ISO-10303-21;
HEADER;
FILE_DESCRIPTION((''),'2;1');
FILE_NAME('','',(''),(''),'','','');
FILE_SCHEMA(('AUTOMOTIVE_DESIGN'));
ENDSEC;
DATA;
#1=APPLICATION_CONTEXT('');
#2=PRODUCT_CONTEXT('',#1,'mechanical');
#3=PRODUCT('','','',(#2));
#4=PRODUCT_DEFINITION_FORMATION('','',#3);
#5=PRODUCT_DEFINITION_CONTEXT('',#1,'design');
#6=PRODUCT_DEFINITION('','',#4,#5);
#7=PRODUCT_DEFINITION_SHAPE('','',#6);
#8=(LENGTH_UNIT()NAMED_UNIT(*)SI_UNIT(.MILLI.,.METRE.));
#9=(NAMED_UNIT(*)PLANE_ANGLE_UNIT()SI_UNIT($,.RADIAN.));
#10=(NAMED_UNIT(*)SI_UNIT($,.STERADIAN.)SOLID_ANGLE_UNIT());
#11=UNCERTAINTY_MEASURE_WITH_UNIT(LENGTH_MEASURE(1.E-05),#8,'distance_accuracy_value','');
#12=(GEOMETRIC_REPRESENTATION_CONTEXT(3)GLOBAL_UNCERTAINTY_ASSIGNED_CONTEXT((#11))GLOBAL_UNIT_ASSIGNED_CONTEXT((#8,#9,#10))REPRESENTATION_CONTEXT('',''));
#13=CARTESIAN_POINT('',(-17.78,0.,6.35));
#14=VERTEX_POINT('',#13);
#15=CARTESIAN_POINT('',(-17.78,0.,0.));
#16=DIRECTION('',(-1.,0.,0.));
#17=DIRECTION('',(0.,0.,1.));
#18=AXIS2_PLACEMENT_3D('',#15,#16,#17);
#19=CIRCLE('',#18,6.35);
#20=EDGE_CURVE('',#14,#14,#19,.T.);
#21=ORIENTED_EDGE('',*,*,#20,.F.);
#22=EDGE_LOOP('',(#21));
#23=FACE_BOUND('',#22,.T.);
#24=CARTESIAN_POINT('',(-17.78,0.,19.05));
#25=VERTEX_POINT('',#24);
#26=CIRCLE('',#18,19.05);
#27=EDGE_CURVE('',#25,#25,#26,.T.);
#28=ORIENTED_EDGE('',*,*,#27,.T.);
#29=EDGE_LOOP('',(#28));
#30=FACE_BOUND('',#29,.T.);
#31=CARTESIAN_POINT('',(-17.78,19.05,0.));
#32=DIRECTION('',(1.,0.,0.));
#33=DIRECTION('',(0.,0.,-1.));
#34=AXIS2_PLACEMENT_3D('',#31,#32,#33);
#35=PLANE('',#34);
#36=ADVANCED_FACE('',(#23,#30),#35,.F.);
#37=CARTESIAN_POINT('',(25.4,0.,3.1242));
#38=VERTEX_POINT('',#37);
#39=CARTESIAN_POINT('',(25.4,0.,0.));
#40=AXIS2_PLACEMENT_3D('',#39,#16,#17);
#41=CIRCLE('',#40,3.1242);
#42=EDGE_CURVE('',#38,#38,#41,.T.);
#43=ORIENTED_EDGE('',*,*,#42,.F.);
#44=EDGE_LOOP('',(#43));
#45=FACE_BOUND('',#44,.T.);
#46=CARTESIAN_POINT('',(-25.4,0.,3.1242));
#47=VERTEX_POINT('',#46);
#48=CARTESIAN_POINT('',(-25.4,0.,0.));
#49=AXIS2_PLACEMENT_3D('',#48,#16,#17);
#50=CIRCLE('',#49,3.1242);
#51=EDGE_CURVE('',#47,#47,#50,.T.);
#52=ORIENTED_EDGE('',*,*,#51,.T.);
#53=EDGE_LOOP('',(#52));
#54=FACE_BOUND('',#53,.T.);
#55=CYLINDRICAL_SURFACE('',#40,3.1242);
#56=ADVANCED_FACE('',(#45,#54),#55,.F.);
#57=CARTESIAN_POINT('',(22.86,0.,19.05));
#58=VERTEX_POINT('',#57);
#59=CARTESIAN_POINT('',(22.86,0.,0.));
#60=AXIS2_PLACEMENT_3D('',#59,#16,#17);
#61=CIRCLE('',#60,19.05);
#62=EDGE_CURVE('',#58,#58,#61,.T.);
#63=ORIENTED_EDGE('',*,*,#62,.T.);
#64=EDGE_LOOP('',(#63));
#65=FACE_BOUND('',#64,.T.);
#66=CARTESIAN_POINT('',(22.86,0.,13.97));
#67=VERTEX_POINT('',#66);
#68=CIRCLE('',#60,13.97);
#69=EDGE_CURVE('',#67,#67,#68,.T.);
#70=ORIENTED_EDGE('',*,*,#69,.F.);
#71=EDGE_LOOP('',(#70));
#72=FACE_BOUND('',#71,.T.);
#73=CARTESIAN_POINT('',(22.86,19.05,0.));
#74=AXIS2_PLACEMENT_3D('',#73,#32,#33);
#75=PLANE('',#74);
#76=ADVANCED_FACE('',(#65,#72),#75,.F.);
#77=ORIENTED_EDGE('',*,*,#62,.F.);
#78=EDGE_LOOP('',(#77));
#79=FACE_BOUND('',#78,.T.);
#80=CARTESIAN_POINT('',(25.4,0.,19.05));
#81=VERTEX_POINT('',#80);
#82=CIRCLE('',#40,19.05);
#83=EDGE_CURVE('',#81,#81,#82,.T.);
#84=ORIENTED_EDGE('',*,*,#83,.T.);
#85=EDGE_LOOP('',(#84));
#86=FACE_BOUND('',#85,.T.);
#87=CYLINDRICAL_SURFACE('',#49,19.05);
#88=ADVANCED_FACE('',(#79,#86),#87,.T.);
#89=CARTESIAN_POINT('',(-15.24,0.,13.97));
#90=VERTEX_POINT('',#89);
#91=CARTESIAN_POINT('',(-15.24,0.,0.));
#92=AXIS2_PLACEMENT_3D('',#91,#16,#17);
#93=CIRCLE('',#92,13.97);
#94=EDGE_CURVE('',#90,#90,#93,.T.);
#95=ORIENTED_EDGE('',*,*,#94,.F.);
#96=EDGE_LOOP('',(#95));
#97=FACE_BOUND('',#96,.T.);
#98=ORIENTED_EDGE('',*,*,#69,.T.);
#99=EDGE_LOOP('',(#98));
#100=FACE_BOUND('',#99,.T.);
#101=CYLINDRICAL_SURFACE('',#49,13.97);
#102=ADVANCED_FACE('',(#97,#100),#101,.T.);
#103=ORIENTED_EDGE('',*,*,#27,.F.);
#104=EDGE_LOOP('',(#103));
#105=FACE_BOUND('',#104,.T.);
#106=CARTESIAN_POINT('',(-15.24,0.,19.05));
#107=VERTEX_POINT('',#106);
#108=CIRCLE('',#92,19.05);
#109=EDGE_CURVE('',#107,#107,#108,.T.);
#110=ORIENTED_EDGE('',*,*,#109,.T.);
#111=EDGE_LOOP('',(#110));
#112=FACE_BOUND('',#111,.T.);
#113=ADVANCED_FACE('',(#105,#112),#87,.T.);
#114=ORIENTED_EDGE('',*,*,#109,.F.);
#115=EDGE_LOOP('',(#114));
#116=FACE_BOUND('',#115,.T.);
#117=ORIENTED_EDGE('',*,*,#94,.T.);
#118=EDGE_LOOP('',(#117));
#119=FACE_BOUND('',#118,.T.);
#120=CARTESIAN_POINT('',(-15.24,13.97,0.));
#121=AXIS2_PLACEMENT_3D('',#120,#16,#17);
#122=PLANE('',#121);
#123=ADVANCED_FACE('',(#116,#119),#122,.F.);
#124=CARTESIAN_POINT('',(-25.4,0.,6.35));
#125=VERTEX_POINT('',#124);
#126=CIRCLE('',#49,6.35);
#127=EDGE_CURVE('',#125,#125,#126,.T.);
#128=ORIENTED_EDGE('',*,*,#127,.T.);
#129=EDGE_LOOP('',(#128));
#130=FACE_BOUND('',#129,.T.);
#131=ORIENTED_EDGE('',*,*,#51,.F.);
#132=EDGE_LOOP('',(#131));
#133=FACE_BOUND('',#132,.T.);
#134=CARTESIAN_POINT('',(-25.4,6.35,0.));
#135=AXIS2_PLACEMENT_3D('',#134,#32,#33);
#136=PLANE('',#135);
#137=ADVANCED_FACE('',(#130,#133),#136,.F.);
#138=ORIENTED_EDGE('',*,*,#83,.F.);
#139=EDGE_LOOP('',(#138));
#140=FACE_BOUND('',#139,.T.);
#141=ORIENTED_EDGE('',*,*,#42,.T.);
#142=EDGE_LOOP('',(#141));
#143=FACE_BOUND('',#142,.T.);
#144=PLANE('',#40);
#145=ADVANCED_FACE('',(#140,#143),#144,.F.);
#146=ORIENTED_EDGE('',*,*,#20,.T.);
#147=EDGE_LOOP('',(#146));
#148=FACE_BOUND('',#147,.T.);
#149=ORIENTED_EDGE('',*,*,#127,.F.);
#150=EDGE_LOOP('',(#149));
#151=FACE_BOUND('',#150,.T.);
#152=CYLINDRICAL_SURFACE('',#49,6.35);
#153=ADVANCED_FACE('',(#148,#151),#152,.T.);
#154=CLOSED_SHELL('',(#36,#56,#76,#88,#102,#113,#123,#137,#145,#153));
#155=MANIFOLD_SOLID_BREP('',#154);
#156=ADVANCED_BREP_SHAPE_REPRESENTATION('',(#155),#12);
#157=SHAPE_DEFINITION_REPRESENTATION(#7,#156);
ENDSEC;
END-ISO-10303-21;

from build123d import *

# Parameters (mm, degrees)
SKETCH2_R          = 3.1242
CUT_EXTRUDE1_DEPTH = 51.8


with BuildPart() as part:
    # Sketch1 → Revolve1 (revolve)
    with BuildSketch(Plane.XY):
        Polygon((-25.4, 0), (25.4, 0), (25.4, 19.05), (22.86, 19.05), (22.86, 13.97), (-15.24, 13.97), (-15.24, 19.05), (-17.78, 19.05), (-17.78, 6.35), (-25.4, 6.35), align=None)
    revolve(axis=Axis((-25.4, 0, 0), (1, 0, 0)))

    # Sketch2 → Cut-Extrude1 (cut, through all)
    with BuildSketch(Plane.ZY.offset(25.4)):
        Circle(SKETCH2_R)
    extrude(amount=-CUT_EXTRUDE1_DEPTH, mode=Mode.SUBTRACT)


solid = part.part
